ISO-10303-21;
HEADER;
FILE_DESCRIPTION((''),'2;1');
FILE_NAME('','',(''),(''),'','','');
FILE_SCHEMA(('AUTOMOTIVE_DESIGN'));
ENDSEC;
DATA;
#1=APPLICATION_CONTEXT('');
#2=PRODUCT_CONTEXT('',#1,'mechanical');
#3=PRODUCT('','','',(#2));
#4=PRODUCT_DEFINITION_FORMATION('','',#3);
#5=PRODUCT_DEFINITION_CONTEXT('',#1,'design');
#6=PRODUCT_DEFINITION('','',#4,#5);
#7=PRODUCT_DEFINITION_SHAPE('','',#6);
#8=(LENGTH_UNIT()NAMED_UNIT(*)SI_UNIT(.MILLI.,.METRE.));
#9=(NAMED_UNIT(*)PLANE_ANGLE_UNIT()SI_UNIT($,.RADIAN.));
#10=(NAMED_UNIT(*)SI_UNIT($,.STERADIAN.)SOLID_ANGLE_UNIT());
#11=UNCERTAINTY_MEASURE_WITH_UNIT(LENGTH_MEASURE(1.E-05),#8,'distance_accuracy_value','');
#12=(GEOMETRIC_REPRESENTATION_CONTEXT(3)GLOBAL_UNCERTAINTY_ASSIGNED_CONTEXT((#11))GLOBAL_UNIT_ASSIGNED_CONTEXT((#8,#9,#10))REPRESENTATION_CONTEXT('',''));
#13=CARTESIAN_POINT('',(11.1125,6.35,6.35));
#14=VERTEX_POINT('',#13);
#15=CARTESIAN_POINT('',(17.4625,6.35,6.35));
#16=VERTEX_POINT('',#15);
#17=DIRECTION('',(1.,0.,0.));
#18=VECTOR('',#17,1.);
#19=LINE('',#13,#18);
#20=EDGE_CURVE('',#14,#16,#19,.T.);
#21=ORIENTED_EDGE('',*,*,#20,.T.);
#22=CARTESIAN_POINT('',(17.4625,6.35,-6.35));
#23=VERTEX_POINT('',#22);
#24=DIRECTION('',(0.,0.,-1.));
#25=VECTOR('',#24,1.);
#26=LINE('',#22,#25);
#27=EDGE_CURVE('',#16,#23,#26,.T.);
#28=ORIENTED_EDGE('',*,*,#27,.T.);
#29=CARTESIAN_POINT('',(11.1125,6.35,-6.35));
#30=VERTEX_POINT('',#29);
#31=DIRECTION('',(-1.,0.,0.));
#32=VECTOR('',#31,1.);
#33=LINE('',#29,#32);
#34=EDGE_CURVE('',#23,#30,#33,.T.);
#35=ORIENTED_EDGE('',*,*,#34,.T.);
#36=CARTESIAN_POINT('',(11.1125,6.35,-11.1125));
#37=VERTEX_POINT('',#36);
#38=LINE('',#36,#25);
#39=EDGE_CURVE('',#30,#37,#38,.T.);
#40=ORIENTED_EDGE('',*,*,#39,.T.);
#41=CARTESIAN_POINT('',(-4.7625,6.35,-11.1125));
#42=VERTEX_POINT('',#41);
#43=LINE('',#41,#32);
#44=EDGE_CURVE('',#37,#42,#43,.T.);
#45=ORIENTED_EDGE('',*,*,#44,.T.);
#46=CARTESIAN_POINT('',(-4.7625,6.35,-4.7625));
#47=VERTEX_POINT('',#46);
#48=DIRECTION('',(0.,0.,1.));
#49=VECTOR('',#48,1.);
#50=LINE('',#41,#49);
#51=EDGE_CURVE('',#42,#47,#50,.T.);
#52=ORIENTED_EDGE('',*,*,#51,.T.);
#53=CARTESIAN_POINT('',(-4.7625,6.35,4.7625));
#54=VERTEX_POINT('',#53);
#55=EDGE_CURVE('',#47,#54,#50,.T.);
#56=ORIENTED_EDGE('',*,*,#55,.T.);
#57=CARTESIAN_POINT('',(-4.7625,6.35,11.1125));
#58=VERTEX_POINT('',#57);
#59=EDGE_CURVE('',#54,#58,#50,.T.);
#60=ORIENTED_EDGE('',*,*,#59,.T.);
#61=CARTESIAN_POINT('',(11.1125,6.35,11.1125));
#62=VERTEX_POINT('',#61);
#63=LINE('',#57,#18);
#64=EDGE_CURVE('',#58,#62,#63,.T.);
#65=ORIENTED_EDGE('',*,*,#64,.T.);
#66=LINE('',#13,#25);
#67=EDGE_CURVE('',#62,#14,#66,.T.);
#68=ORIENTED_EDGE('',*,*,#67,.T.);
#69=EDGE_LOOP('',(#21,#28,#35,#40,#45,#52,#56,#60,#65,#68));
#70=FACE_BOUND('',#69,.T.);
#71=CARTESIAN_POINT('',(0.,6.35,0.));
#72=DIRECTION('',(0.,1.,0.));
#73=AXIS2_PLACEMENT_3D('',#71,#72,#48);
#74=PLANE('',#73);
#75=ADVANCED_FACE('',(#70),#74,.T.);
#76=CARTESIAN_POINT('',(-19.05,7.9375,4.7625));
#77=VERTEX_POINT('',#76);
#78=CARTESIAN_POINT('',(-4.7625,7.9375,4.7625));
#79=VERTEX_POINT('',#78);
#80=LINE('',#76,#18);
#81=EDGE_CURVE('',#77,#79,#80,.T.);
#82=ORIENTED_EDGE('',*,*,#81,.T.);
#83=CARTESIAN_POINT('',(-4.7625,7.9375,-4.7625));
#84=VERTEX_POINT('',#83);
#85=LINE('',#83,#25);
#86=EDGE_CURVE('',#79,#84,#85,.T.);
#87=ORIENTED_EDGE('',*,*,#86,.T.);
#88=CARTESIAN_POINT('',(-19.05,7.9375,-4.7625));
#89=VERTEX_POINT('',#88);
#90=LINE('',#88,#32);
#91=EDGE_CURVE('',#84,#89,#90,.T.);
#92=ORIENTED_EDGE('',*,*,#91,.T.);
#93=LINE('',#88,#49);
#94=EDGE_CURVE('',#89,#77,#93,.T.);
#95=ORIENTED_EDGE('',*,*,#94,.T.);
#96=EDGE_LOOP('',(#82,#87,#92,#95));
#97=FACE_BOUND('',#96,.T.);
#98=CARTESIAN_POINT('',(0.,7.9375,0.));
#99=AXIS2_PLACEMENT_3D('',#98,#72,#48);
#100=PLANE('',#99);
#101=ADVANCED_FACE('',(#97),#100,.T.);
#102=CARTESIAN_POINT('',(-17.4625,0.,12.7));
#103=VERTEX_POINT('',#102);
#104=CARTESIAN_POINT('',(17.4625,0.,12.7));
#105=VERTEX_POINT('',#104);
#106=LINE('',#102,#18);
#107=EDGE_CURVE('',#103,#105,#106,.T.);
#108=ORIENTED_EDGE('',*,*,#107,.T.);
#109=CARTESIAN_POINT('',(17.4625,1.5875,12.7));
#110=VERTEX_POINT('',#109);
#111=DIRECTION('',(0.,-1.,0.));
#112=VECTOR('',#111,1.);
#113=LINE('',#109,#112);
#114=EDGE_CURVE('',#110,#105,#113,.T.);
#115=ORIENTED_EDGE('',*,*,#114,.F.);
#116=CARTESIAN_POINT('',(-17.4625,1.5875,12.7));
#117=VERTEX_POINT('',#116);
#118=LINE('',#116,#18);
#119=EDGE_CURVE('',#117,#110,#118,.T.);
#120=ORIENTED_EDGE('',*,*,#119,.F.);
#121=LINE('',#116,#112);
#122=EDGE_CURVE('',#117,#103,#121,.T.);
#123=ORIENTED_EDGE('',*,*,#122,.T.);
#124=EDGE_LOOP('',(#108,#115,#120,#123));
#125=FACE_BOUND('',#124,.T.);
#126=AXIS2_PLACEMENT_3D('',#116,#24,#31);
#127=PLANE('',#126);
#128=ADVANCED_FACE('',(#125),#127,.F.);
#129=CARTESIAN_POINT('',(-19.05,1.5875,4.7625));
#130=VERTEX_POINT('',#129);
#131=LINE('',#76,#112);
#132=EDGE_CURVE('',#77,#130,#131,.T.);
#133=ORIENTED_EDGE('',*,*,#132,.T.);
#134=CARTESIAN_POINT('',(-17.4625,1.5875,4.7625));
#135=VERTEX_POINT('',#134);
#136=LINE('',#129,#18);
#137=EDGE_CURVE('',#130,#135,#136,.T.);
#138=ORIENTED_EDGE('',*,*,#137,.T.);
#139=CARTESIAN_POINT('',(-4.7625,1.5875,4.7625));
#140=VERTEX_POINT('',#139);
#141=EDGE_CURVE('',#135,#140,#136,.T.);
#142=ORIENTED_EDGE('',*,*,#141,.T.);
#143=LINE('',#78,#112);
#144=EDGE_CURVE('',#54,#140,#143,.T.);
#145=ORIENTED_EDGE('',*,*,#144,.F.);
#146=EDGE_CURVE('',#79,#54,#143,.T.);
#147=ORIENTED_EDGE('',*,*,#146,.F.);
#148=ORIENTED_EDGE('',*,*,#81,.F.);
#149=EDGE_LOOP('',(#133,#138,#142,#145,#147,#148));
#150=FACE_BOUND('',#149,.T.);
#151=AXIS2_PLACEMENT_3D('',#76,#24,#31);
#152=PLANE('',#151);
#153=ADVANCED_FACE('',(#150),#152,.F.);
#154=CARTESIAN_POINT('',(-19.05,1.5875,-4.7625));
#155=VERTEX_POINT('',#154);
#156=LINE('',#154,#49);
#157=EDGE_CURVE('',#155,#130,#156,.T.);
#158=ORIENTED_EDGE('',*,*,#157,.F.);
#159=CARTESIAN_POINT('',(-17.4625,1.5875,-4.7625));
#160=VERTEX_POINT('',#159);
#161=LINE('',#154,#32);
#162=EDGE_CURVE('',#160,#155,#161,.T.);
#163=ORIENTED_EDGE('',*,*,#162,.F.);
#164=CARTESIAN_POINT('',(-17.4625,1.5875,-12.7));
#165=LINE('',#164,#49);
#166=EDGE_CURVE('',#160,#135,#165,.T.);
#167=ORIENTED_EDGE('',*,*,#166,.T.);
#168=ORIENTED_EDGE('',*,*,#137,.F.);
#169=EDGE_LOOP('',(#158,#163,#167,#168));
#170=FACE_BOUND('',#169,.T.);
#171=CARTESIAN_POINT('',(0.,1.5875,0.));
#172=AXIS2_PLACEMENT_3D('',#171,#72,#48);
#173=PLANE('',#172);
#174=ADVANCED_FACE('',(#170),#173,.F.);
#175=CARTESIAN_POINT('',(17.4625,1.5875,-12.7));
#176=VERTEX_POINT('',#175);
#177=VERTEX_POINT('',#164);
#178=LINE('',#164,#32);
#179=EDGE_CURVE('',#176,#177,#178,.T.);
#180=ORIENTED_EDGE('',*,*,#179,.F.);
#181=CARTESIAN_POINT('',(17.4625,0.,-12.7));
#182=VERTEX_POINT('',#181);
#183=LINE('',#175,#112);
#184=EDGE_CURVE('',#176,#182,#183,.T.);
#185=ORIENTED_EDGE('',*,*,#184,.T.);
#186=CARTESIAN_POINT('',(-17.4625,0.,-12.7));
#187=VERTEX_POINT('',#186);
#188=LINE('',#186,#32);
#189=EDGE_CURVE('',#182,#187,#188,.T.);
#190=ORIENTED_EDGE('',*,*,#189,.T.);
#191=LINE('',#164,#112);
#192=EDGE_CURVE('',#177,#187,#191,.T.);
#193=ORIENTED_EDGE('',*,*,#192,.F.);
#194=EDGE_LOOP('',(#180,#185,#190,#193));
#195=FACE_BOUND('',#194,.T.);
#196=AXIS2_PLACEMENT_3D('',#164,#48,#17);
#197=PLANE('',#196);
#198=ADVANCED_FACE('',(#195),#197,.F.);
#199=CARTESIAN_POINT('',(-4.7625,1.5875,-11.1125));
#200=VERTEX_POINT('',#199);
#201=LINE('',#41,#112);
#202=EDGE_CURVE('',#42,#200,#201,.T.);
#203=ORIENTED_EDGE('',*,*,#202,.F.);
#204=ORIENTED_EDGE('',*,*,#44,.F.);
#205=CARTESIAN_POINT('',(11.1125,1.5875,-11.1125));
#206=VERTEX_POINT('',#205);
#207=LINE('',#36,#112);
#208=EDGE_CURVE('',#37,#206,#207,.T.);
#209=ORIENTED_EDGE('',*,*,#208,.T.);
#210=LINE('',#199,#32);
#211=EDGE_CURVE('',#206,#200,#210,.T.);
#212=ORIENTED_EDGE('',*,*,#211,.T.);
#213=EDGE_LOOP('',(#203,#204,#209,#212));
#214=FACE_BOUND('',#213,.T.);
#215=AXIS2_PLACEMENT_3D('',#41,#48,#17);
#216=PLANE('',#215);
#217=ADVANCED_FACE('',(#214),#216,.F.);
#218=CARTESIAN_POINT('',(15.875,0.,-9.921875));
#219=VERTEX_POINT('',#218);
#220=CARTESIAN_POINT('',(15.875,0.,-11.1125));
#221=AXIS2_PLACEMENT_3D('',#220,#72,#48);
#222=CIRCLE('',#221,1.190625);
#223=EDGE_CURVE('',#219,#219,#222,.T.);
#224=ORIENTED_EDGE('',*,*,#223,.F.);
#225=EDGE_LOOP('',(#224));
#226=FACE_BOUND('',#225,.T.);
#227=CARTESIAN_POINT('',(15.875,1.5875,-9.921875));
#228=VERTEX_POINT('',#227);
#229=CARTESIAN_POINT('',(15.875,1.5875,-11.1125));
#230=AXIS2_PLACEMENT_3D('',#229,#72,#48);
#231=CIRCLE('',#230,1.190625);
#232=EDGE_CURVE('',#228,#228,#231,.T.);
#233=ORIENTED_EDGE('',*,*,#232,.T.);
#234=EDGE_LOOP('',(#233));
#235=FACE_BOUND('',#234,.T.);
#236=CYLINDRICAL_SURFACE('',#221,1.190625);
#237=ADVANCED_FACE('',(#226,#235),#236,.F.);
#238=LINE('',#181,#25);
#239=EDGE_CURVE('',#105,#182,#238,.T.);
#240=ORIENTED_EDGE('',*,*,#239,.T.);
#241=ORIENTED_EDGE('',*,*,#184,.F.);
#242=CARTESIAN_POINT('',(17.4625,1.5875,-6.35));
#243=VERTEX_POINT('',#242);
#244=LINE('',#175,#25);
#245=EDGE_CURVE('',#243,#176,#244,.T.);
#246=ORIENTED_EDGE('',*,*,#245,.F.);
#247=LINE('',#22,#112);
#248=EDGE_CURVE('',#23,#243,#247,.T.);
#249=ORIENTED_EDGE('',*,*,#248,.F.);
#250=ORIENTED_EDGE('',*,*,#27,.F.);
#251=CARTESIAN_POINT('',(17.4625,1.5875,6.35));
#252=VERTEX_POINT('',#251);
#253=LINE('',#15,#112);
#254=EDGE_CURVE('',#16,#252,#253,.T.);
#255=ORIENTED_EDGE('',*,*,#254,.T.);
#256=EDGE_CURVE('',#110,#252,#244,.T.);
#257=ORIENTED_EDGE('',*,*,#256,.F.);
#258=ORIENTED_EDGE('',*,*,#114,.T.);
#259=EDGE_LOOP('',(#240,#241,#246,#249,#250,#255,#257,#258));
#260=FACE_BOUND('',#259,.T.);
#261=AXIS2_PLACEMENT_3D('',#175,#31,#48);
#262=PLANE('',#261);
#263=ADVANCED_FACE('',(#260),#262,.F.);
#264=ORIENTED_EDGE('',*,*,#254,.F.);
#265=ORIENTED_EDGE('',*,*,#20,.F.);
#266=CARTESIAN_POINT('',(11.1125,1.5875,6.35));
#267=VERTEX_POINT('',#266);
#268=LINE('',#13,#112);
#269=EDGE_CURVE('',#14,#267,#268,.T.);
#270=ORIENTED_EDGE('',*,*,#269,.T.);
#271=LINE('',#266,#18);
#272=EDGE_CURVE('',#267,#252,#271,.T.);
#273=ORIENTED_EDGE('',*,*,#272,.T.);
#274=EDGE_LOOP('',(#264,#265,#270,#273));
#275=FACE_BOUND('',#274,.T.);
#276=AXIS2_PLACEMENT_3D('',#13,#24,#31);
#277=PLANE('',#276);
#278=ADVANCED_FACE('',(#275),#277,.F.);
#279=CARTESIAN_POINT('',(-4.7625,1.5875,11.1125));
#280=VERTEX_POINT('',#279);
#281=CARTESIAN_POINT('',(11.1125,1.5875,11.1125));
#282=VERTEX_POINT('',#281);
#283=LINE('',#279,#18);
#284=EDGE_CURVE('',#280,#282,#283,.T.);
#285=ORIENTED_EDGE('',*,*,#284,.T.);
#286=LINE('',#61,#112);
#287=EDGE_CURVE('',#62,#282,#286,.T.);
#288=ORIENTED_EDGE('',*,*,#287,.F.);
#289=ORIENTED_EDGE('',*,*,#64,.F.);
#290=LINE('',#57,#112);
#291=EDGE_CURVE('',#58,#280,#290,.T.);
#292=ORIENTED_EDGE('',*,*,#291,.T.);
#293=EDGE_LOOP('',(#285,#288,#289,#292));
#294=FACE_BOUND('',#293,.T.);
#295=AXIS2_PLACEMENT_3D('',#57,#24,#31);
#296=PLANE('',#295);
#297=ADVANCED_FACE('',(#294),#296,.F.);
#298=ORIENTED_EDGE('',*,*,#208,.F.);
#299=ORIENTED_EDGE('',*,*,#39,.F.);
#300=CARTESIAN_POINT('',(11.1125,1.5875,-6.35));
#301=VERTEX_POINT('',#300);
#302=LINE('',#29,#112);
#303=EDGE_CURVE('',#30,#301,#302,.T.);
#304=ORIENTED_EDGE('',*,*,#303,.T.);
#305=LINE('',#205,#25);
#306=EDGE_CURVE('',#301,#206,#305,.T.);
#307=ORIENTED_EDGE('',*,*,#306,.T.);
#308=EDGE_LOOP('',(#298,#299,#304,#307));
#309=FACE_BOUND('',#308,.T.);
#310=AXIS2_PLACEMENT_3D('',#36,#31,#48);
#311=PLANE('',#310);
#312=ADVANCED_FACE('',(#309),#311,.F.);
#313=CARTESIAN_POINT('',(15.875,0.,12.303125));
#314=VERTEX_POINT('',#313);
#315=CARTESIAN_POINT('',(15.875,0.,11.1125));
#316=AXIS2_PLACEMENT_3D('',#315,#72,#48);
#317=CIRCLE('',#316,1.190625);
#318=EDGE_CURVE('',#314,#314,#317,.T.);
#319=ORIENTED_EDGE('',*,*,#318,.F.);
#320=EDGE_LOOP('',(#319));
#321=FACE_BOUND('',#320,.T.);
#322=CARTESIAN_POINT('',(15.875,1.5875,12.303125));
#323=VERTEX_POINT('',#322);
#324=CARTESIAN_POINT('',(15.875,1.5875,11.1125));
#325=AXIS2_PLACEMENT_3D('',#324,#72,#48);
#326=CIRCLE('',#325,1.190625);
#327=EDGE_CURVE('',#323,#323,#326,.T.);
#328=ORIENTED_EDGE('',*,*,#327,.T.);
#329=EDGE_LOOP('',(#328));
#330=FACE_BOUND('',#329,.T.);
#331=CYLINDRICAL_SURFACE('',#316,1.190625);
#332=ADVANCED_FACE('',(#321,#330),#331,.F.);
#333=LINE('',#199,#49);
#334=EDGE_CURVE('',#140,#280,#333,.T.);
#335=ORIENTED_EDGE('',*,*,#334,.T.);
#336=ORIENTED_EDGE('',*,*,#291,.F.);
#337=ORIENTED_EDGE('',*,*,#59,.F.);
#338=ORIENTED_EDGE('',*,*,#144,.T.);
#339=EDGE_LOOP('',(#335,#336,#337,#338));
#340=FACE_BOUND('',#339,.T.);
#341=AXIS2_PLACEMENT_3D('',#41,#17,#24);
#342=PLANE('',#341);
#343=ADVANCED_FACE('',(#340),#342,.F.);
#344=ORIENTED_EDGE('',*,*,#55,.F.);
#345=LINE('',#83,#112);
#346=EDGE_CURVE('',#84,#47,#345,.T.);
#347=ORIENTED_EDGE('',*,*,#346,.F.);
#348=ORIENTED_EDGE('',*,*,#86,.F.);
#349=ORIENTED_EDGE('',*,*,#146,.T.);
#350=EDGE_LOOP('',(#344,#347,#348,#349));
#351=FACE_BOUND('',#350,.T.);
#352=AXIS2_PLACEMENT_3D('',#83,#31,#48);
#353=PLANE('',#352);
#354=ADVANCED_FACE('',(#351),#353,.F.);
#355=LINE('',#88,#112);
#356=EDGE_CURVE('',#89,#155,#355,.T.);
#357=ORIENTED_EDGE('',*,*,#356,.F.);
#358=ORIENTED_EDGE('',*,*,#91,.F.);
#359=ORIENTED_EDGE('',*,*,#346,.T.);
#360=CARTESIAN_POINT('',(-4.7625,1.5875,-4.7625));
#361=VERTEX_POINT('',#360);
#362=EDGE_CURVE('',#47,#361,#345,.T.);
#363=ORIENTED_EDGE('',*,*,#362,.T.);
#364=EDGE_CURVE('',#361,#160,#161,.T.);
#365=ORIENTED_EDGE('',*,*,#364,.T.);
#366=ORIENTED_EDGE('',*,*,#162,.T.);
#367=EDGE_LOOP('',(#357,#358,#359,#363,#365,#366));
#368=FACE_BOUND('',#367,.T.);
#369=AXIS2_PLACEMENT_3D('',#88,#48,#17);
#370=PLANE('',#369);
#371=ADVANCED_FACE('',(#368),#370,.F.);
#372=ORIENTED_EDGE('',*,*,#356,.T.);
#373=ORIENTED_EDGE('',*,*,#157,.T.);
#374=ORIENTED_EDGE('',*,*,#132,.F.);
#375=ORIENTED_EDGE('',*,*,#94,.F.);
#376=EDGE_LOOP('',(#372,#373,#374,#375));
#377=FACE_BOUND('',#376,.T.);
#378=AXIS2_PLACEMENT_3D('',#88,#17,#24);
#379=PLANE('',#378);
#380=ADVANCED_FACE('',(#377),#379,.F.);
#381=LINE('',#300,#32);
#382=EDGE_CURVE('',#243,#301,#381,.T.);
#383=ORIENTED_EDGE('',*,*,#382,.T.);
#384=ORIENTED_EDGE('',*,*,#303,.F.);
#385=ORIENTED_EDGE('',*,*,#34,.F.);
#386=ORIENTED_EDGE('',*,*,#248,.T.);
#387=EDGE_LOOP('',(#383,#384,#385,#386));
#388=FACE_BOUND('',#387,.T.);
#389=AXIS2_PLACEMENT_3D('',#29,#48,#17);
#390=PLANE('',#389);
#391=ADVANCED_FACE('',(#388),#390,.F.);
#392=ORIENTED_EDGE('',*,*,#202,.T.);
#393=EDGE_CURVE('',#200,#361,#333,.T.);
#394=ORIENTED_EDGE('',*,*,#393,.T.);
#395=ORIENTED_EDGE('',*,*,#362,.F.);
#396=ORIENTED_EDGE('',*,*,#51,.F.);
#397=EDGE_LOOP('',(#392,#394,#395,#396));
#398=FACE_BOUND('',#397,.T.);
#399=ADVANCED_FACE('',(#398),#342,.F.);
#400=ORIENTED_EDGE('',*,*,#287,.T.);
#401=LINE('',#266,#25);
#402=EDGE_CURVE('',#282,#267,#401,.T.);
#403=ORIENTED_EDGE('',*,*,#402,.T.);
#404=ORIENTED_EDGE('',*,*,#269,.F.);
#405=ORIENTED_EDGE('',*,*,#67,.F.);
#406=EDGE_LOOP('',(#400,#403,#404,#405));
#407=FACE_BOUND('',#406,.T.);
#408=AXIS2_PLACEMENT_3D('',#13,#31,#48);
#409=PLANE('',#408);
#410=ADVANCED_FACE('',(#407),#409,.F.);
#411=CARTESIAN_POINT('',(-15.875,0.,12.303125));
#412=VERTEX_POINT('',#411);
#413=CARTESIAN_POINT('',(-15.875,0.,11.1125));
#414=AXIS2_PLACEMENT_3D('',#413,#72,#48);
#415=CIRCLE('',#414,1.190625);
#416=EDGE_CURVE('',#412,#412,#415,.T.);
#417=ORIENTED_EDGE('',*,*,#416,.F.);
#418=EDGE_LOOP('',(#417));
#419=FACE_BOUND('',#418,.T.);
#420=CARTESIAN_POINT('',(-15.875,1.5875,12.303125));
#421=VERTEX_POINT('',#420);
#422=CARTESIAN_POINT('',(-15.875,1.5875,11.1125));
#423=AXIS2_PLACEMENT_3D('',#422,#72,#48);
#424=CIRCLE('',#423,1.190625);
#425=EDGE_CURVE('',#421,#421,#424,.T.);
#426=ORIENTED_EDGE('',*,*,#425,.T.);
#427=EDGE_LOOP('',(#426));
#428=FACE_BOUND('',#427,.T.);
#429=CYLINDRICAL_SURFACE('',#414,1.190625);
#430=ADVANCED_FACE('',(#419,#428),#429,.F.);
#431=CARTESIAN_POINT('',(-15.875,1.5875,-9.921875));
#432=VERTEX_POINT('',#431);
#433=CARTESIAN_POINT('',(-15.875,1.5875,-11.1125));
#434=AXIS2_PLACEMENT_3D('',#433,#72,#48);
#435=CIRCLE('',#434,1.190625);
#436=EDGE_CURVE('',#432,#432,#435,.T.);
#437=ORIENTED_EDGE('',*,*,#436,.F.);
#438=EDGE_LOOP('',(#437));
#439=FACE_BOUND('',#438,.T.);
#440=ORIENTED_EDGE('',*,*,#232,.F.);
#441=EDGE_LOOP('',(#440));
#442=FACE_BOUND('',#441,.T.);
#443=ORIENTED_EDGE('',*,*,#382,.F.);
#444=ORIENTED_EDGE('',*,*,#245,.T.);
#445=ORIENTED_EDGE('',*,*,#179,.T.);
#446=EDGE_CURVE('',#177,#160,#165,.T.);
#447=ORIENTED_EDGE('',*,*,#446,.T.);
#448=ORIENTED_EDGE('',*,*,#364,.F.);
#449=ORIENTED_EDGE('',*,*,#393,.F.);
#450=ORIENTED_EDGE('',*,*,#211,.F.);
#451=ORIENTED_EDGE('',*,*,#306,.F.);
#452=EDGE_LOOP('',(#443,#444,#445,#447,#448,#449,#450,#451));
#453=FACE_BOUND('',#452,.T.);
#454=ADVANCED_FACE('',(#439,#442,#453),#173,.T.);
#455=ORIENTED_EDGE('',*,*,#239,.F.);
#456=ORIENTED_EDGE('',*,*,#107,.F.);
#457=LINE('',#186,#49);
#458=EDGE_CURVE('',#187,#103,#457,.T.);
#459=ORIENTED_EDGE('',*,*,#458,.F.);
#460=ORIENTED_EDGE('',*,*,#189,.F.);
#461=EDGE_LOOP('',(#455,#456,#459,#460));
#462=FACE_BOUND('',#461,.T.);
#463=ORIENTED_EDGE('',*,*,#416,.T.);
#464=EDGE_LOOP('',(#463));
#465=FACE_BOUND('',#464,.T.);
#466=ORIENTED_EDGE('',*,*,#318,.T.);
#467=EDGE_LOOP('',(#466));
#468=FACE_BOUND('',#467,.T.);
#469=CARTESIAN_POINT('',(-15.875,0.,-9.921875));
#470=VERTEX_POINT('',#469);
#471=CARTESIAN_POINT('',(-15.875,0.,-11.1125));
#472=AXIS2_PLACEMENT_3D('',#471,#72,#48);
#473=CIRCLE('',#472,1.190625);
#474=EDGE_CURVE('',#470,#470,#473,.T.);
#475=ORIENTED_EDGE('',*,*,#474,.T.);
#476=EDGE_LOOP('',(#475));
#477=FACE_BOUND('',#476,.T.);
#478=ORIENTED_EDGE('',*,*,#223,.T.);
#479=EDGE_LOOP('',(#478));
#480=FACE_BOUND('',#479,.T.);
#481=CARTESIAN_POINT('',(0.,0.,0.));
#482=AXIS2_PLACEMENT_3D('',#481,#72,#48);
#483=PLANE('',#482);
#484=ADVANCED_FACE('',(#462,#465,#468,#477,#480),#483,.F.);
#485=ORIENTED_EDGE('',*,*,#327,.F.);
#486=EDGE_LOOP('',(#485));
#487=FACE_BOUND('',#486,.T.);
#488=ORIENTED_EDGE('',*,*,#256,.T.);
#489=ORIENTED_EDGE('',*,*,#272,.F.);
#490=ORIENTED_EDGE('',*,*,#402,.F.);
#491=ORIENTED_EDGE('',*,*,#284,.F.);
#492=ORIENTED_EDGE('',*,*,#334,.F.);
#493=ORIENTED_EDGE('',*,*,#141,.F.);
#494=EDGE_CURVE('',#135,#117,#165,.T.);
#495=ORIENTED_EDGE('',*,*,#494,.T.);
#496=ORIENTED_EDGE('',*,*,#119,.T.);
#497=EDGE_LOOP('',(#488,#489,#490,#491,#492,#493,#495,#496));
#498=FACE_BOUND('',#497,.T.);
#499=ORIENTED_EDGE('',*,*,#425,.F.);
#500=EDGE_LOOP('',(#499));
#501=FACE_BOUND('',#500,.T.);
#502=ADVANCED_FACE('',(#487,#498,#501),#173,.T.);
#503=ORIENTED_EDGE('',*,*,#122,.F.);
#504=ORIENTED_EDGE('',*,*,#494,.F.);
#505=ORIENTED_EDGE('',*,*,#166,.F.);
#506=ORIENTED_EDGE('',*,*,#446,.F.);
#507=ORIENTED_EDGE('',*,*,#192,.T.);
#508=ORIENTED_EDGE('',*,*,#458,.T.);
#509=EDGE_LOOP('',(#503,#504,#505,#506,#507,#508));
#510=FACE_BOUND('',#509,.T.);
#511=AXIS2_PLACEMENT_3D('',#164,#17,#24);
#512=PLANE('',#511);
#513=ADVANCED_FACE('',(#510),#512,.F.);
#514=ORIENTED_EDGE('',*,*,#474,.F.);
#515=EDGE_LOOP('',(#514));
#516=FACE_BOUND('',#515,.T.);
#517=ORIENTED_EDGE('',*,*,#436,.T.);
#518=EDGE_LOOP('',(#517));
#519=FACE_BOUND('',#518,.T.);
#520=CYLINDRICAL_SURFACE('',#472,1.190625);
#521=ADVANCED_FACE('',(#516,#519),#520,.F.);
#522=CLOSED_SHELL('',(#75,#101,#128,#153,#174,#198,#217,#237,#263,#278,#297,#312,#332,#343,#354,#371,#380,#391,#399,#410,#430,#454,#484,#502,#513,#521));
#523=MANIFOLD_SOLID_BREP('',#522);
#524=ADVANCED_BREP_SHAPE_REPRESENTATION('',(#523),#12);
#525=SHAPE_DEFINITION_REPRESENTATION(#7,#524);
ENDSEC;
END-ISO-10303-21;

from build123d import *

# Parameters (mm, degrees)
SKETCH1_W           = 34.925
SKETCH1_H           = 25.4
BOSS_EXTRUDE1_DEPTH = 1.5875
BOSS_EXTRUDE2_DEPTH = 4.7625
SKETCH4_W           = 14.2875
SKETCH4_H           = 9.525
BOSS_EXTRUDE7_DEPTH = 6.35
SKETCH6_R           = 1.190625
CUT_EXTRUDE1_DEPTH  = 24.759524406


with BuildPart() as part:
    # Sketch1 → Boss-Extrude1 (new body)
    with BuildSketch(Plane(origin=(0, 0, 0), x_dir=(1, 0, 0), z_dir=(0, 1, 0))):
        Rectangle(SKETCH1_W, SKETCH1_H)
    extrude(amount=BOSS_EXTRUDE1_DEPTH)

    # Sketch2 → Boss-Extrude2 (add)
    with BuildSketch(Plane(origin=(0, 1.5875, 0), x_dir=(1, 0, 0), z_dir=(0, 1, 0))):
        Polygon((-4.7625, 11.1125), (11.1125, 11.1125), (11.1125, 6.35), (17.4625, 6.35), (17.4625, -6.35), (11.1125, -6.35), (11.1125, -11.1125), (-4.7625, -11.1125), align=None)
    extrude(amount=BOSS_EXTRUDE2_DEPTH)

    # Sketch4 → Boss-Extrude7 (add)
    with BuildSketch(Plane(origin=(0, 1.5875, 0), x_dir=(1, 0, 0), z_dir=(0, 1, 0))):
        with Locations((-11.90625, 0)):
            Rectangle(SKETCH4_W, SKETCH4_H)
    extrude(amount=BOSS_EXTRUDE7_DEPTH)

    # Sketch6 → Cut-Extrude1 (cut, through all)
    with BuildSketch(Plane(origin=(0, 1.5875, 0), x_dir=(1, 0, 0), z_dir=(0, 1, 0))):
        with Locations(Location((-15.875, 11.1125, 0), (0, 0, 270))):
            Circle(SKETCH6_R)
        with Locations(Location((-15.875, -11.1125, 0), (0, 0, 270))):
            Circle(SKETCH6_R)
        with Locations(Location((15.875, -11.1125, 0), (0, 0, 270))):
            Circle(SKETCH6_R)
        with Locations(Location((15.875, 11.1125, 0), (0, 0, 270))):
            Circle(SKETCH6_R)
    extrude(amount=-CUT_EXTRUDE1_DEPTH, mode=Mode.SUBTRACT)


solid = part.part
